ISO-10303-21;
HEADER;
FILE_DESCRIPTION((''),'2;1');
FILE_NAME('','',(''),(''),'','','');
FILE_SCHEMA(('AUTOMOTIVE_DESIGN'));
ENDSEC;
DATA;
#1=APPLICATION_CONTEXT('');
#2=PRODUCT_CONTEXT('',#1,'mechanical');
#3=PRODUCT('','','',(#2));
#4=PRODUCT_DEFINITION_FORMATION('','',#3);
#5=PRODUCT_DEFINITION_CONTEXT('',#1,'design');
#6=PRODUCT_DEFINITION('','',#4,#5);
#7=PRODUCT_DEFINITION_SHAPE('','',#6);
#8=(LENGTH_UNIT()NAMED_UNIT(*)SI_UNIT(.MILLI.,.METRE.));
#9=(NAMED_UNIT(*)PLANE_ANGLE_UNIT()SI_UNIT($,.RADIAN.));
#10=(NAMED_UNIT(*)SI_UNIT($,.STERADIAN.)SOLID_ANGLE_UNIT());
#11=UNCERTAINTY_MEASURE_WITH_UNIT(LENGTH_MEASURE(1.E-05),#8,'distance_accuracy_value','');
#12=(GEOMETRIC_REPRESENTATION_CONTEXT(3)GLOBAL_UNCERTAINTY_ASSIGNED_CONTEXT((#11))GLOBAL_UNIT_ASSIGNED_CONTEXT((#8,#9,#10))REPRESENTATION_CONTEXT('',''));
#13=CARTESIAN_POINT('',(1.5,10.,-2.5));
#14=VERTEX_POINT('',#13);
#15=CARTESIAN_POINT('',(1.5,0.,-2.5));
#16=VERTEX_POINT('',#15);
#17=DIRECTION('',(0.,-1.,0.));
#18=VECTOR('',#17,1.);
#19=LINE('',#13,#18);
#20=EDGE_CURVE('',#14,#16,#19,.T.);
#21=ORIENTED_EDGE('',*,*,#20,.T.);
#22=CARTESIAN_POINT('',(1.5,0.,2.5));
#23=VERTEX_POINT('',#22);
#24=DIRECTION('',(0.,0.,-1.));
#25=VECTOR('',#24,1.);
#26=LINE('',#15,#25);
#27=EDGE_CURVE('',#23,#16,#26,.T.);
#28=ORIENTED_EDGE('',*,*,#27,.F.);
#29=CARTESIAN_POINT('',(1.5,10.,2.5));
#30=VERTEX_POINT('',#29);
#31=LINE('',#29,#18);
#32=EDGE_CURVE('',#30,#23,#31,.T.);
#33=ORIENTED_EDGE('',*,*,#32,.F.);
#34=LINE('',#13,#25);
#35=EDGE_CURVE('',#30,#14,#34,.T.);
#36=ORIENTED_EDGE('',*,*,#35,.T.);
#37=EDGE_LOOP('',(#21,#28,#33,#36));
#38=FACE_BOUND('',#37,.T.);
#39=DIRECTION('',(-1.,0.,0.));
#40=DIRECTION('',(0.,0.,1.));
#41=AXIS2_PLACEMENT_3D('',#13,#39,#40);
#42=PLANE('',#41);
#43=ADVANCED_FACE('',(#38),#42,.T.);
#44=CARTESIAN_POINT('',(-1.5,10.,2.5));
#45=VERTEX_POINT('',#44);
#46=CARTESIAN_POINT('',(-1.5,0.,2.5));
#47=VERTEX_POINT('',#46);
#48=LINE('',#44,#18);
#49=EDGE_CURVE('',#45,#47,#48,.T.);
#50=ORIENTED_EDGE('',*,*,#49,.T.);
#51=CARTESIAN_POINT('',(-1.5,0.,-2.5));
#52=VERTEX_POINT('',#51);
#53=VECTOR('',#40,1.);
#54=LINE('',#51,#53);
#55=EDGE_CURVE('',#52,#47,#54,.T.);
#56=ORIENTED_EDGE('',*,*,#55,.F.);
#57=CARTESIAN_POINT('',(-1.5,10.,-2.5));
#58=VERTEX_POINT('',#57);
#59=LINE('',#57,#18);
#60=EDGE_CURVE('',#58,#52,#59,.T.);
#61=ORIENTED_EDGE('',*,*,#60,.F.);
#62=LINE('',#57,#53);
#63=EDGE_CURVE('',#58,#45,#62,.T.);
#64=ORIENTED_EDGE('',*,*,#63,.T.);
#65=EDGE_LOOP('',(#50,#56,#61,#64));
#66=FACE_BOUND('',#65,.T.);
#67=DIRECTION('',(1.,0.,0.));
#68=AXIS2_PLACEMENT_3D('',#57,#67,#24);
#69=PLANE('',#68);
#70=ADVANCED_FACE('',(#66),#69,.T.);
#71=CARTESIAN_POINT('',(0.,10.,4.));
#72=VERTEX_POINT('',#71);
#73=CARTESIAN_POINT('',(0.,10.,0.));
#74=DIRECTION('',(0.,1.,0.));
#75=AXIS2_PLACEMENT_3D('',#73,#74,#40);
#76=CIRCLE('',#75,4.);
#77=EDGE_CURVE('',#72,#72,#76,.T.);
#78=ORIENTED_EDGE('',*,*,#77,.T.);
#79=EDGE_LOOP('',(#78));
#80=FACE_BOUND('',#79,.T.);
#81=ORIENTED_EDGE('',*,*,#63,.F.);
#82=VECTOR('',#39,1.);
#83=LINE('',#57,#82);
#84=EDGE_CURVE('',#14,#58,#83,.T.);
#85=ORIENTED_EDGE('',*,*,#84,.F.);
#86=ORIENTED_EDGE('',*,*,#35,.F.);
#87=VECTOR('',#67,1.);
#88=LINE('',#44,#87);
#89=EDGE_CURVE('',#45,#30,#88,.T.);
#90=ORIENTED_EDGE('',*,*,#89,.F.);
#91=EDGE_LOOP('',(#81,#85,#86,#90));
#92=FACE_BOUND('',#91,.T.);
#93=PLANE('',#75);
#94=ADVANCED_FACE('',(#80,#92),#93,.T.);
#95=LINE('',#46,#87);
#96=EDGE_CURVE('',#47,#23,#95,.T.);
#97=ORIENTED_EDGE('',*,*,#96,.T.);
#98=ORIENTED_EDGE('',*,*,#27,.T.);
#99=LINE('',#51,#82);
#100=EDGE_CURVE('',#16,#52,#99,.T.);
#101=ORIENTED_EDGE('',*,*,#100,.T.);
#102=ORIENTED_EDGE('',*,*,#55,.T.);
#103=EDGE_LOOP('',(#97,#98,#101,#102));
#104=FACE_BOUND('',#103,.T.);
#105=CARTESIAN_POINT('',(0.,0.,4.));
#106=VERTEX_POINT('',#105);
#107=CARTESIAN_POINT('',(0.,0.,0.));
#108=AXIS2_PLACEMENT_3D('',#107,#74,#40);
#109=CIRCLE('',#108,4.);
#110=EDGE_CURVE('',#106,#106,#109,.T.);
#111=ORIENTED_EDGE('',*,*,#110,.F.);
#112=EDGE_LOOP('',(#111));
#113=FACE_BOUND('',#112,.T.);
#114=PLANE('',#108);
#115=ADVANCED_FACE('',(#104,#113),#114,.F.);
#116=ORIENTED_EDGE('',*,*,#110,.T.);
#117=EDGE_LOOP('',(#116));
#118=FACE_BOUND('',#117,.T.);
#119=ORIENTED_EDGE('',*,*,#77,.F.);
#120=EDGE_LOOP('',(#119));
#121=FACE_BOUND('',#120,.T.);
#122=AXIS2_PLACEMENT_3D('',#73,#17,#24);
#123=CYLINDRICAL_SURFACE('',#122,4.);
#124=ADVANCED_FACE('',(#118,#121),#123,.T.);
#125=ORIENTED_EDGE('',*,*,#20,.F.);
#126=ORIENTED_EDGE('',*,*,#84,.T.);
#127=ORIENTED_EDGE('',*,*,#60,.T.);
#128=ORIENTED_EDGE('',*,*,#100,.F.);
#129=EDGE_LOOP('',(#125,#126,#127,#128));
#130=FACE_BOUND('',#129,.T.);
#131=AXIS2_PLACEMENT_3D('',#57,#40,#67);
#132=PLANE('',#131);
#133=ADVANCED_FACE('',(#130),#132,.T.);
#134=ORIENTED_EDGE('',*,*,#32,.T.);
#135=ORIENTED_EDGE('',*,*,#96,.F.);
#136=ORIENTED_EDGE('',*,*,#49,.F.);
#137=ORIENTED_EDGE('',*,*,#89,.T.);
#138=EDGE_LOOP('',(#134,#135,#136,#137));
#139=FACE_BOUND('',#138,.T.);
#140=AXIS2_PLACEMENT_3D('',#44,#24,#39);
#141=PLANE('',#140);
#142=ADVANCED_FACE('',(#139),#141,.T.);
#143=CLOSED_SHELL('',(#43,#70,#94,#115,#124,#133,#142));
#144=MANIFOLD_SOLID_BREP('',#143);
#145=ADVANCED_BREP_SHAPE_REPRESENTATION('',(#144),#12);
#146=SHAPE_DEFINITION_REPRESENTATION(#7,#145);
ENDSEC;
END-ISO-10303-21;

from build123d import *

# Parameters (mm, degrees)
SKETCH1_R           = 4
SKETCH1_W           = 3
SKETCH1_H           = 5
BOSS_EXTRUDE1_DEPTH = 10


with BuildPart() as part:
    # Sketch1 → Boss-Extrude1 (new body)
    with BuildSketch(Plane(origin=(0, 0, 0), x_dir=(1, 0, 0), z_dir=(0, 1, 0))):
        Circle(SKETCH1_R)
        Rectangle(SKETCH1_W, SKETCH1_H, mode=Mode.SUBTRACT)
    extrude(amount=BOSS_EXTRUDE1_DEPTH)


solid = part.part
